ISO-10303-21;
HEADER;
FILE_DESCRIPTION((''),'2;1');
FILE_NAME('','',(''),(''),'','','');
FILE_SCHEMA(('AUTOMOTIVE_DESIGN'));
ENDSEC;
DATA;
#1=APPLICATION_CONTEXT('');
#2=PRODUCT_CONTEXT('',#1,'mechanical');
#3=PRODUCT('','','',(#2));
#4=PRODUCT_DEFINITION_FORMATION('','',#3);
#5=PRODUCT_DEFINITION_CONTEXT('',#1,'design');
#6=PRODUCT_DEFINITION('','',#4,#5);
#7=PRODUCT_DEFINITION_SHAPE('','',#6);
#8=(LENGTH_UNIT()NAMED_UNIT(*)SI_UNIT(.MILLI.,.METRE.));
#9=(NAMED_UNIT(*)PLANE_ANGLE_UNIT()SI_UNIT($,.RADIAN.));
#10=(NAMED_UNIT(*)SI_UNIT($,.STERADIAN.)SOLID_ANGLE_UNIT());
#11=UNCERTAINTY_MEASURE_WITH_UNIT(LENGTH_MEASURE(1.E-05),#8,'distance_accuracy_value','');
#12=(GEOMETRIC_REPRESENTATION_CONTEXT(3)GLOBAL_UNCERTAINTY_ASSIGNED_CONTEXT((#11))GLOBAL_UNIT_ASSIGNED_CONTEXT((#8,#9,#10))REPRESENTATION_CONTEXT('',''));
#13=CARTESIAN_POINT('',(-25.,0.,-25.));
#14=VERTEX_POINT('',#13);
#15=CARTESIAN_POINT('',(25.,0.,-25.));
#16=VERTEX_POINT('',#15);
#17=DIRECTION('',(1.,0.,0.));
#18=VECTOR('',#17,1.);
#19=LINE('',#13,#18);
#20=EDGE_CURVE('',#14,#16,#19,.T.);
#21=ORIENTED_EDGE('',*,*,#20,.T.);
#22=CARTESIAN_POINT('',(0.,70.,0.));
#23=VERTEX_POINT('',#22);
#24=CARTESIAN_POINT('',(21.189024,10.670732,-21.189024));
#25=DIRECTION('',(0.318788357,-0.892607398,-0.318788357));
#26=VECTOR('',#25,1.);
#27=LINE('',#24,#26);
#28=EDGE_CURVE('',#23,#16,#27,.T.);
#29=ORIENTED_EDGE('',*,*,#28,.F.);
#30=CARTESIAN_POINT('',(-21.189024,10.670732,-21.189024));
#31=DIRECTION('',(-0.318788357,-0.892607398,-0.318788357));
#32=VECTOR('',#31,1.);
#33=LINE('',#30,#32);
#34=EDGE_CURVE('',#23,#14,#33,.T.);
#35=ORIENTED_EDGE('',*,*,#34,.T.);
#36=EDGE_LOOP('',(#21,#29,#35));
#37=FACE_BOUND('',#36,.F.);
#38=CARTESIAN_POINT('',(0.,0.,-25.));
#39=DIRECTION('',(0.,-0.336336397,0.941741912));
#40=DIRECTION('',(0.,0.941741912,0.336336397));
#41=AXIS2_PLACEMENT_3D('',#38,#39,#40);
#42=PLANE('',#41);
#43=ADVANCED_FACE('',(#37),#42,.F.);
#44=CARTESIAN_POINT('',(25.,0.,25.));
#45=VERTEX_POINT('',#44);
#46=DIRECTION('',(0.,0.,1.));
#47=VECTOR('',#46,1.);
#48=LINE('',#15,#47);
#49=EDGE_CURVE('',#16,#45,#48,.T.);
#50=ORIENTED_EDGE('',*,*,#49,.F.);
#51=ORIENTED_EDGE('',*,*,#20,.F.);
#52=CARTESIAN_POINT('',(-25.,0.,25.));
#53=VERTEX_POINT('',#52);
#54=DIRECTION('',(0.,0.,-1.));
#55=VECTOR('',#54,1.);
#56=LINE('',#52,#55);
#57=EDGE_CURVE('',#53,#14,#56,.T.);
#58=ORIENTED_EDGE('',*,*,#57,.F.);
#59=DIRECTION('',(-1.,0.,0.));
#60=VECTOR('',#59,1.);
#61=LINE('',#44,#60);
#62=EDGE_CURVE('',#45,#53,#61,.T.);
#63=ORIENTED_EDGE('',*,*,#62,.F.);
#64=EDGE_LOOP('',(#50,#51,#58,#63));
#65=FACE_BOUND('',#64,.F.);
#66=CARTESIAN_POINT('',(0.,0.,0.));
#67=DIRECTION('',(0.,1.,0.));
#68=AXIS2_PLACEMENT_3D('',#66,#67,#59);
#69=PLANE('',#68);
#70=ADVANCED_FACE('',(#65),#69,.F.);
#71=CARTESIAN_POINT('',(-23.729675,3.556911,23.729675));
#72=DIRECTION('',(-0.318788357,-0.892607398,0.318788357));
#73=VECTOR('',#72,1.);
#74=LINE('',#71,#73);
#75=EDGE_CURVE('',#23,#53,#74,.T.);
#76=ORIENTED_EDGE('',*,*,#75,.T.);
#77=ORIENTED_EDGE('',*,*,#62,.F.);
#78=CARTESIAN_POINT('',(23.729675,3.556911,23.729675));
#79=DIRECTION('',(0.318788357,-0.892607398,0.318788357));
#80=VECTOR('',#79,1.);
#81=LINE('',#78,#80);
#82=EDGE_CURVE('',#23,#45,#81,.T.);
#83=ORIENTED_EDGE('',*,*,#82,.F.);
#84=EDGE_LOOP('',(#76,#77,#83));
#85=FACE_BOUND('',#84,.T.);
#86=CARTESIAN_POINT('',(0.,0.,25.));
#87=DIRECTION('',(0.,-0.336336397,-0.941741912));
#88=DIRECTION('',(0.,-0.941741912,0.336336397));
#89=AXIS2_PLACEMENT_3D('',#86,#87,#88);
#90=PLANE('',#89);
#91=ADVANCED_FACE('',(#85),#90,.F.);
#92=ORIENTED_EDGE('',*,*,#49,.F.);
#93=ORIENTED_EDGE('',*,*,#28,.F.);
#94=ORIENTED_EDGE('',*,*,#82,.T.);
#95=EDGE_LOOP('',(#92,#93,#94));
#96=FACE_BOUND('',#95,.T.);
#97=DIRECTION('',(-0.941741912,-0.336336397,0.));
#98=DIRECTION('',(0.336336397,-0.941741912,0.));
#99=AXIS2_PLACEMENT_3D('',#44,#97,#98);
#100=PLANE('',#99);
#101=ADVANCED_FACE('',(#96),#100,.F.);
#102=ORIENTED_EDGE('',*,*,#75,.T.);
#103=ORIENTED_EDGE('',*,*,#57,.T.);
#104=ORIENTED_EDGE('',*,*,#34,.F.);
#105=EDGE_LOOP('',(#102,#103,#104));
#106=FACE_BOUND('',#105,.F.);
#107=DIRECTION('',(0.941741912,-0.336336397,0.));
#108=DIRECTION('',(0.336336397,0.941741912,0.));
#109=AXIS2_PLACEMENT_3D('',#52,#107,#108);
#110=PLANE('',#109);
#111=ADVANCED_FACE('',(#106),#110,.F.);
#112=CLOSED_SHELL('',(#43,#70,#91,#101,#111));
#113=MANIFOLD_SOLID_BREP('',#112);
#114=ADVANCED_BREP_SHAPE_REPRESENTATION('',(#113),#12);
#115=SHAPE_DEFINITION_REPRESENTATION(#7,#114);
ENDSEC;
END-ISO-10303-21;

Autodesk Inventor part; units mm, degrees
ref_plane "YZ Plane" through (0, 0, 0) normal (1, 0, 0) x (0, 1, 0)
ref_plane "XZ Plane" through (0, 0, 0) normal (0, 1, 0) x (-1, 0, 0)
ref_plane "XY Plane" through (0, 0, 0) normal (0, 0, 1) x (1, 0, 0)
sketch "Sketch3" plane through (0, 0, 0) normal (0, 1, 0) x (-1, 0, 0)
  line L0 (-25, 25) -> (25, 25)
  line L1 (25, 25) -> (25, -25)
  line L2 (25, -25) -> (-25, -25)
  line L3 (-25, -25) -> (-25, 25)
  line L4 (-25, 25) -> (25, -25) construction
  line L5 (25, 25) -> (-25, -25) construction
  point P0 (0, 0)
  dimension "d6" = 50
  dimension "d7" = 50
extrude "Extrusion2" add sketch "Sketch3" along normal blind 70
sketch "Sketch4" plane through (-25, 0, 25) normal (0, 0, 1) x (1, 0, 0)
  line L0 (50, 0) -> (0, 0) projected
  line L1 (0, 0) -> (25, 70)
  line L2 (50, 70) -> (0, 70) projected
  line L3 (0, 0) -> (0, 70) projected
  line L4 (0, 70) -> (0, 0)
  point P0 (25, 0)
extrude "Extrusion3" cut sketch "Sketch4" along normal through all both and the other way through all
mirror "Mirror1" about plane through (0, 0, 0) normal (1, 0, 0) of "Extrusion3"
sketch "Sketch5" plane through (0, 0, 0) normal (1, 0, 0) x (0, 1, 0)
  line L0 (70, -25) -> (70, 25) projected
  line L1 (70, 0) -> (70, -25)
  line L2 (70, -25) -> (0, -25)
  line L3 (0, -25) -> (70, 0)
  point P0 (0, 0)
extrude "Extrusion4" cut sketch "Sketch5" along normal through all both and the other way through all
mirror "Mirror2" about plane through (0, 0, 0) normal (0, 0, 1) of "Extrusion4"
properties part number "exp1"
